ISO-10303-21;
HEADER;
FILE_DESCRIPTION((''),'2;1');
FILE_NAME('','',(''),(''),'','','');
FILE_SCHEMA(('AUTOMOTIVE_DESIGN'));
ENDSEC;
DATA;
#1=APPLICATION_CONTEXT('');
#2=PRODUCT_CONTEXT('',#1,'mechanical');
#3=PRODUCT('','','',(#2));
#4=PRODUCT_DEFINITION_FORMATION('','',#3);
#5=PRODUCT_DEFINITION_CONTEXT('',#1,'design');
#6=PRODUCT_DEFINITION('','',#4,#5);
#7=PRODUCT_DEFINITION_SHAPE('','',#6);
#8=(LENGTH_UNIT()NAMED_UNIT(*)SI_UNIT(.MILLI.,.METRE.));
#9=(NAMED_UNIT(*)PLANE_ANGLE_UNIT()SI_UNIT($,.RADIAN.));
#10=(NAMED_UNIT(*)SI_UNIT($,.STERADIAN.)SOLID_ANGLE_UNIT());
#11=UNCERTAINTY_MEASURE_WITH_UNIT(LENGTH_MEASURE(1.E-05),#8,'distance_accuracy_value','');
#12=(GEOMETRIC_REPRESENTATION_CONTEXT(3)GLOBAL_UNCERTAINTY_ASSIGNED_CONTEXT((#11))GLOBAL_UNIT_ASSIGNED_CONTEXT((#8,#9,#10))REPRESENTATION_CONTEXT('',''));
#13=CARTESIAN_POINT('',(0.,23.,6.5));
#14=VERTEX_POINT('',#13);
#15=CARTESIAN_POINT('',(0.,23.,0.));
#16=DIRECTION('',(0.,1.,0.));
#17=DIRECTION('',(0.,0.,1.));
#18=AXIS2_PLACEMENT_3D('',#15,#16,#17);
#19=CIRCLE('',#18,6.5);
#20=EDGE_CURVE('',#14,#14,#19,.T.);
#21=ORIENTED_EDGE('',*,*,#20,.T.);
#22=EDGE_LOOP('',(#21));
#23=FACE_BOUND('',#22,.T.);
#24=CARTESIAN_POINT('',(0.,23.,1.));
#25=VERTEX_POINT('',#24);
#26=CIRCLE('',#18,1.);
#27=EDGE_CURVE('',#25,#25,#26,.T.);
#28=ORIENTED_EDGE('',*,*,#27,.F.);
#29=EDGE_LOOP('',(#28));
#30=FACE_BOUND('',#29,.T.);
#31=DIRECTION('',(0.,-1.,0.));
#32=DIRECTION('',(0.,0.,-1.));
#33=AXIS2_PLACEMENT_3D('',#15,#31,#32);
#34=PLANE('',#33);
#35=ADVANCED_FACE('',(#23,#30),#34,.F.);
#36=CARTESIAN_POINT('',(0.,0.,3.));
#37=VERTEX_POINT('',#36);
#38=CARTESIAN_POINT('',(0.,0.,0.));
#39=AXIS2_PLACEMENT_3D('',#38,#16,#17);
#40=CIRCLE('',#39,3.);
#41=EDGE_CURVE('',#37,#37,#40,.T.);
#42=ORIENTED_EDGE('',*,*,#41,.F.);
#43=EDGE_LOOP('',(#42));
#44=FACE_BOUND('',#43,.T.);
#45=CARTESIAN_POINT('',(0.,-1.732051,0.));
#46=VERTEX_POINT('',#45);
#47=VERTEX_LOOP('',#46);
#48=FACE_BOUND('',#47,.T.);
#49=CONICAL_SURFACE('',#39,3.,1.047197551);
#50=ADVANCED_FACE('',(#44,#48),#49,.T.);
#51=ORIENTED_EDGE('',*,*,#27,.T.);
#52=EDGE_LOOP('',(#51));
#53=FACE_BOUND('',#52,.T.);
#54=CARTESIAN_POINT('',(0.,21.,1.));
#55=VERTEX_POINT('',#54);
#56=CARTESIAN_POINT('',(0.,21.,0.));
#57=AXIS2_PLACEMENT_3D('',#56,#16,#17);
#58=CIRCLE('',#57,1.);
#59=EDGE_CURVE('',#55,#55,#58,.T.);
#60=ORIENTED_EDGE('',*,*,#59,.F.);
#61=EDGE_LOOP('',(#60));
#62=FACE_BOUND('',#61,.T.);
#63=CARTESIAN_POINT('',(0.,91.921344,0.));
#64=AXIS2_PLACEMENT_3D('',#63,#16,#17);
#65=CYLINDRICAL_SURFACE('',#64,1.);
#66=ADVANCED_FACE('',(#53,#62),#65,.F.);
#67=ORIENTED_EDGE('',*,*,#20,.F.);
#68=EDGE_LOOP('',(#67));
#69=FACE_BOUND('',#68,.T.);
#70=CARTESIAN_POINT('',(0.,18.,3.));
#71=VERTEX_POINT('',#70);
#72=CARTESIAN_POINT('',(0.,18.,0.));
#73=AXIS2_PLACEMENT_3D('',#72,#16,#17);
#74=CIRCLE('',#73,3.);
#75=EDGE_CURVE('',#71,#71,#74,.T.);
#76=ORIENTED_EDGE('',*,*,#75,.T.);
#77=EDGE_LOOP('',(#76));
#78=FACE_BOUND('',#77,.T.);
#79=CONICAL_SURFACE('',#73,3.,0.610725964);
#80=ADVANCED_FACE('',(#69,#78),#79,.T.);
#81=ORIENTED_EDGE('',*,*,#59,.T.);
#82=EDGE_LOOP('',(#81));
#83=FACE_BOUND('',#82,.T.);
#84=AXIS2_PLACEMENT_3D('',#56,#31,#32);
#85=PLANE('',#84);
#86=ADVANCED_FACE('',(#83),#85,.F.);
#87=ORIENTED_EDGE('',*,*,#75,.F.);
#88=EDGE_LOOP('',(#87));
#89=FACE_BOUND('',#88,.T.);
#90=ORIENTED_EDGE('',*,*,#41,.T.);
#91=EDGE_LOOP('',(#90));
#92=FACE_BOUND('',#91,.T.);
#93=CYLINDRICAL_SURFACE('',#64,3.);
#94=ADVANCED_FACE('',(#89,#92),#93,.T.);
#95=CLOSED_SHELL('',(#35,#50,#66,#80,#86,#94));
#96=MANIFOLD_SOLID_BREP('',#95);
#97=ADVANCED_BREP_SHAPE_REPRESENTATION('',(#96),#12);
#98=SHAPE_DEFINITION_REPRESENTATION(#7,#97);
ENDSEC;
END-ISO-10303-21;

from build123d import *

# Parameters (mm, degrees)
SKETCH1_W = 3
SKETCH1_H = 18


with BuildPart() as part:
    # Sketch1 → Revolve3 (revolve)
    with BuildSketch(Plane.XY):
        Polygon((0, -1.732050808), (0, 0), (-3, 0), align=None)
        with Locations((-1.5, 9)):
            Rectangle(SKETCH1_W, SKETCH1_H)
        Polygon((-3, 18), (0, 18), (0, 21), (-1, 21), (-1, 23), (-6.5, 23), align=None)
    revolve(axis=Axis((0, 91.921344285, 0), (0, -1, 0)))


solid = part.part
